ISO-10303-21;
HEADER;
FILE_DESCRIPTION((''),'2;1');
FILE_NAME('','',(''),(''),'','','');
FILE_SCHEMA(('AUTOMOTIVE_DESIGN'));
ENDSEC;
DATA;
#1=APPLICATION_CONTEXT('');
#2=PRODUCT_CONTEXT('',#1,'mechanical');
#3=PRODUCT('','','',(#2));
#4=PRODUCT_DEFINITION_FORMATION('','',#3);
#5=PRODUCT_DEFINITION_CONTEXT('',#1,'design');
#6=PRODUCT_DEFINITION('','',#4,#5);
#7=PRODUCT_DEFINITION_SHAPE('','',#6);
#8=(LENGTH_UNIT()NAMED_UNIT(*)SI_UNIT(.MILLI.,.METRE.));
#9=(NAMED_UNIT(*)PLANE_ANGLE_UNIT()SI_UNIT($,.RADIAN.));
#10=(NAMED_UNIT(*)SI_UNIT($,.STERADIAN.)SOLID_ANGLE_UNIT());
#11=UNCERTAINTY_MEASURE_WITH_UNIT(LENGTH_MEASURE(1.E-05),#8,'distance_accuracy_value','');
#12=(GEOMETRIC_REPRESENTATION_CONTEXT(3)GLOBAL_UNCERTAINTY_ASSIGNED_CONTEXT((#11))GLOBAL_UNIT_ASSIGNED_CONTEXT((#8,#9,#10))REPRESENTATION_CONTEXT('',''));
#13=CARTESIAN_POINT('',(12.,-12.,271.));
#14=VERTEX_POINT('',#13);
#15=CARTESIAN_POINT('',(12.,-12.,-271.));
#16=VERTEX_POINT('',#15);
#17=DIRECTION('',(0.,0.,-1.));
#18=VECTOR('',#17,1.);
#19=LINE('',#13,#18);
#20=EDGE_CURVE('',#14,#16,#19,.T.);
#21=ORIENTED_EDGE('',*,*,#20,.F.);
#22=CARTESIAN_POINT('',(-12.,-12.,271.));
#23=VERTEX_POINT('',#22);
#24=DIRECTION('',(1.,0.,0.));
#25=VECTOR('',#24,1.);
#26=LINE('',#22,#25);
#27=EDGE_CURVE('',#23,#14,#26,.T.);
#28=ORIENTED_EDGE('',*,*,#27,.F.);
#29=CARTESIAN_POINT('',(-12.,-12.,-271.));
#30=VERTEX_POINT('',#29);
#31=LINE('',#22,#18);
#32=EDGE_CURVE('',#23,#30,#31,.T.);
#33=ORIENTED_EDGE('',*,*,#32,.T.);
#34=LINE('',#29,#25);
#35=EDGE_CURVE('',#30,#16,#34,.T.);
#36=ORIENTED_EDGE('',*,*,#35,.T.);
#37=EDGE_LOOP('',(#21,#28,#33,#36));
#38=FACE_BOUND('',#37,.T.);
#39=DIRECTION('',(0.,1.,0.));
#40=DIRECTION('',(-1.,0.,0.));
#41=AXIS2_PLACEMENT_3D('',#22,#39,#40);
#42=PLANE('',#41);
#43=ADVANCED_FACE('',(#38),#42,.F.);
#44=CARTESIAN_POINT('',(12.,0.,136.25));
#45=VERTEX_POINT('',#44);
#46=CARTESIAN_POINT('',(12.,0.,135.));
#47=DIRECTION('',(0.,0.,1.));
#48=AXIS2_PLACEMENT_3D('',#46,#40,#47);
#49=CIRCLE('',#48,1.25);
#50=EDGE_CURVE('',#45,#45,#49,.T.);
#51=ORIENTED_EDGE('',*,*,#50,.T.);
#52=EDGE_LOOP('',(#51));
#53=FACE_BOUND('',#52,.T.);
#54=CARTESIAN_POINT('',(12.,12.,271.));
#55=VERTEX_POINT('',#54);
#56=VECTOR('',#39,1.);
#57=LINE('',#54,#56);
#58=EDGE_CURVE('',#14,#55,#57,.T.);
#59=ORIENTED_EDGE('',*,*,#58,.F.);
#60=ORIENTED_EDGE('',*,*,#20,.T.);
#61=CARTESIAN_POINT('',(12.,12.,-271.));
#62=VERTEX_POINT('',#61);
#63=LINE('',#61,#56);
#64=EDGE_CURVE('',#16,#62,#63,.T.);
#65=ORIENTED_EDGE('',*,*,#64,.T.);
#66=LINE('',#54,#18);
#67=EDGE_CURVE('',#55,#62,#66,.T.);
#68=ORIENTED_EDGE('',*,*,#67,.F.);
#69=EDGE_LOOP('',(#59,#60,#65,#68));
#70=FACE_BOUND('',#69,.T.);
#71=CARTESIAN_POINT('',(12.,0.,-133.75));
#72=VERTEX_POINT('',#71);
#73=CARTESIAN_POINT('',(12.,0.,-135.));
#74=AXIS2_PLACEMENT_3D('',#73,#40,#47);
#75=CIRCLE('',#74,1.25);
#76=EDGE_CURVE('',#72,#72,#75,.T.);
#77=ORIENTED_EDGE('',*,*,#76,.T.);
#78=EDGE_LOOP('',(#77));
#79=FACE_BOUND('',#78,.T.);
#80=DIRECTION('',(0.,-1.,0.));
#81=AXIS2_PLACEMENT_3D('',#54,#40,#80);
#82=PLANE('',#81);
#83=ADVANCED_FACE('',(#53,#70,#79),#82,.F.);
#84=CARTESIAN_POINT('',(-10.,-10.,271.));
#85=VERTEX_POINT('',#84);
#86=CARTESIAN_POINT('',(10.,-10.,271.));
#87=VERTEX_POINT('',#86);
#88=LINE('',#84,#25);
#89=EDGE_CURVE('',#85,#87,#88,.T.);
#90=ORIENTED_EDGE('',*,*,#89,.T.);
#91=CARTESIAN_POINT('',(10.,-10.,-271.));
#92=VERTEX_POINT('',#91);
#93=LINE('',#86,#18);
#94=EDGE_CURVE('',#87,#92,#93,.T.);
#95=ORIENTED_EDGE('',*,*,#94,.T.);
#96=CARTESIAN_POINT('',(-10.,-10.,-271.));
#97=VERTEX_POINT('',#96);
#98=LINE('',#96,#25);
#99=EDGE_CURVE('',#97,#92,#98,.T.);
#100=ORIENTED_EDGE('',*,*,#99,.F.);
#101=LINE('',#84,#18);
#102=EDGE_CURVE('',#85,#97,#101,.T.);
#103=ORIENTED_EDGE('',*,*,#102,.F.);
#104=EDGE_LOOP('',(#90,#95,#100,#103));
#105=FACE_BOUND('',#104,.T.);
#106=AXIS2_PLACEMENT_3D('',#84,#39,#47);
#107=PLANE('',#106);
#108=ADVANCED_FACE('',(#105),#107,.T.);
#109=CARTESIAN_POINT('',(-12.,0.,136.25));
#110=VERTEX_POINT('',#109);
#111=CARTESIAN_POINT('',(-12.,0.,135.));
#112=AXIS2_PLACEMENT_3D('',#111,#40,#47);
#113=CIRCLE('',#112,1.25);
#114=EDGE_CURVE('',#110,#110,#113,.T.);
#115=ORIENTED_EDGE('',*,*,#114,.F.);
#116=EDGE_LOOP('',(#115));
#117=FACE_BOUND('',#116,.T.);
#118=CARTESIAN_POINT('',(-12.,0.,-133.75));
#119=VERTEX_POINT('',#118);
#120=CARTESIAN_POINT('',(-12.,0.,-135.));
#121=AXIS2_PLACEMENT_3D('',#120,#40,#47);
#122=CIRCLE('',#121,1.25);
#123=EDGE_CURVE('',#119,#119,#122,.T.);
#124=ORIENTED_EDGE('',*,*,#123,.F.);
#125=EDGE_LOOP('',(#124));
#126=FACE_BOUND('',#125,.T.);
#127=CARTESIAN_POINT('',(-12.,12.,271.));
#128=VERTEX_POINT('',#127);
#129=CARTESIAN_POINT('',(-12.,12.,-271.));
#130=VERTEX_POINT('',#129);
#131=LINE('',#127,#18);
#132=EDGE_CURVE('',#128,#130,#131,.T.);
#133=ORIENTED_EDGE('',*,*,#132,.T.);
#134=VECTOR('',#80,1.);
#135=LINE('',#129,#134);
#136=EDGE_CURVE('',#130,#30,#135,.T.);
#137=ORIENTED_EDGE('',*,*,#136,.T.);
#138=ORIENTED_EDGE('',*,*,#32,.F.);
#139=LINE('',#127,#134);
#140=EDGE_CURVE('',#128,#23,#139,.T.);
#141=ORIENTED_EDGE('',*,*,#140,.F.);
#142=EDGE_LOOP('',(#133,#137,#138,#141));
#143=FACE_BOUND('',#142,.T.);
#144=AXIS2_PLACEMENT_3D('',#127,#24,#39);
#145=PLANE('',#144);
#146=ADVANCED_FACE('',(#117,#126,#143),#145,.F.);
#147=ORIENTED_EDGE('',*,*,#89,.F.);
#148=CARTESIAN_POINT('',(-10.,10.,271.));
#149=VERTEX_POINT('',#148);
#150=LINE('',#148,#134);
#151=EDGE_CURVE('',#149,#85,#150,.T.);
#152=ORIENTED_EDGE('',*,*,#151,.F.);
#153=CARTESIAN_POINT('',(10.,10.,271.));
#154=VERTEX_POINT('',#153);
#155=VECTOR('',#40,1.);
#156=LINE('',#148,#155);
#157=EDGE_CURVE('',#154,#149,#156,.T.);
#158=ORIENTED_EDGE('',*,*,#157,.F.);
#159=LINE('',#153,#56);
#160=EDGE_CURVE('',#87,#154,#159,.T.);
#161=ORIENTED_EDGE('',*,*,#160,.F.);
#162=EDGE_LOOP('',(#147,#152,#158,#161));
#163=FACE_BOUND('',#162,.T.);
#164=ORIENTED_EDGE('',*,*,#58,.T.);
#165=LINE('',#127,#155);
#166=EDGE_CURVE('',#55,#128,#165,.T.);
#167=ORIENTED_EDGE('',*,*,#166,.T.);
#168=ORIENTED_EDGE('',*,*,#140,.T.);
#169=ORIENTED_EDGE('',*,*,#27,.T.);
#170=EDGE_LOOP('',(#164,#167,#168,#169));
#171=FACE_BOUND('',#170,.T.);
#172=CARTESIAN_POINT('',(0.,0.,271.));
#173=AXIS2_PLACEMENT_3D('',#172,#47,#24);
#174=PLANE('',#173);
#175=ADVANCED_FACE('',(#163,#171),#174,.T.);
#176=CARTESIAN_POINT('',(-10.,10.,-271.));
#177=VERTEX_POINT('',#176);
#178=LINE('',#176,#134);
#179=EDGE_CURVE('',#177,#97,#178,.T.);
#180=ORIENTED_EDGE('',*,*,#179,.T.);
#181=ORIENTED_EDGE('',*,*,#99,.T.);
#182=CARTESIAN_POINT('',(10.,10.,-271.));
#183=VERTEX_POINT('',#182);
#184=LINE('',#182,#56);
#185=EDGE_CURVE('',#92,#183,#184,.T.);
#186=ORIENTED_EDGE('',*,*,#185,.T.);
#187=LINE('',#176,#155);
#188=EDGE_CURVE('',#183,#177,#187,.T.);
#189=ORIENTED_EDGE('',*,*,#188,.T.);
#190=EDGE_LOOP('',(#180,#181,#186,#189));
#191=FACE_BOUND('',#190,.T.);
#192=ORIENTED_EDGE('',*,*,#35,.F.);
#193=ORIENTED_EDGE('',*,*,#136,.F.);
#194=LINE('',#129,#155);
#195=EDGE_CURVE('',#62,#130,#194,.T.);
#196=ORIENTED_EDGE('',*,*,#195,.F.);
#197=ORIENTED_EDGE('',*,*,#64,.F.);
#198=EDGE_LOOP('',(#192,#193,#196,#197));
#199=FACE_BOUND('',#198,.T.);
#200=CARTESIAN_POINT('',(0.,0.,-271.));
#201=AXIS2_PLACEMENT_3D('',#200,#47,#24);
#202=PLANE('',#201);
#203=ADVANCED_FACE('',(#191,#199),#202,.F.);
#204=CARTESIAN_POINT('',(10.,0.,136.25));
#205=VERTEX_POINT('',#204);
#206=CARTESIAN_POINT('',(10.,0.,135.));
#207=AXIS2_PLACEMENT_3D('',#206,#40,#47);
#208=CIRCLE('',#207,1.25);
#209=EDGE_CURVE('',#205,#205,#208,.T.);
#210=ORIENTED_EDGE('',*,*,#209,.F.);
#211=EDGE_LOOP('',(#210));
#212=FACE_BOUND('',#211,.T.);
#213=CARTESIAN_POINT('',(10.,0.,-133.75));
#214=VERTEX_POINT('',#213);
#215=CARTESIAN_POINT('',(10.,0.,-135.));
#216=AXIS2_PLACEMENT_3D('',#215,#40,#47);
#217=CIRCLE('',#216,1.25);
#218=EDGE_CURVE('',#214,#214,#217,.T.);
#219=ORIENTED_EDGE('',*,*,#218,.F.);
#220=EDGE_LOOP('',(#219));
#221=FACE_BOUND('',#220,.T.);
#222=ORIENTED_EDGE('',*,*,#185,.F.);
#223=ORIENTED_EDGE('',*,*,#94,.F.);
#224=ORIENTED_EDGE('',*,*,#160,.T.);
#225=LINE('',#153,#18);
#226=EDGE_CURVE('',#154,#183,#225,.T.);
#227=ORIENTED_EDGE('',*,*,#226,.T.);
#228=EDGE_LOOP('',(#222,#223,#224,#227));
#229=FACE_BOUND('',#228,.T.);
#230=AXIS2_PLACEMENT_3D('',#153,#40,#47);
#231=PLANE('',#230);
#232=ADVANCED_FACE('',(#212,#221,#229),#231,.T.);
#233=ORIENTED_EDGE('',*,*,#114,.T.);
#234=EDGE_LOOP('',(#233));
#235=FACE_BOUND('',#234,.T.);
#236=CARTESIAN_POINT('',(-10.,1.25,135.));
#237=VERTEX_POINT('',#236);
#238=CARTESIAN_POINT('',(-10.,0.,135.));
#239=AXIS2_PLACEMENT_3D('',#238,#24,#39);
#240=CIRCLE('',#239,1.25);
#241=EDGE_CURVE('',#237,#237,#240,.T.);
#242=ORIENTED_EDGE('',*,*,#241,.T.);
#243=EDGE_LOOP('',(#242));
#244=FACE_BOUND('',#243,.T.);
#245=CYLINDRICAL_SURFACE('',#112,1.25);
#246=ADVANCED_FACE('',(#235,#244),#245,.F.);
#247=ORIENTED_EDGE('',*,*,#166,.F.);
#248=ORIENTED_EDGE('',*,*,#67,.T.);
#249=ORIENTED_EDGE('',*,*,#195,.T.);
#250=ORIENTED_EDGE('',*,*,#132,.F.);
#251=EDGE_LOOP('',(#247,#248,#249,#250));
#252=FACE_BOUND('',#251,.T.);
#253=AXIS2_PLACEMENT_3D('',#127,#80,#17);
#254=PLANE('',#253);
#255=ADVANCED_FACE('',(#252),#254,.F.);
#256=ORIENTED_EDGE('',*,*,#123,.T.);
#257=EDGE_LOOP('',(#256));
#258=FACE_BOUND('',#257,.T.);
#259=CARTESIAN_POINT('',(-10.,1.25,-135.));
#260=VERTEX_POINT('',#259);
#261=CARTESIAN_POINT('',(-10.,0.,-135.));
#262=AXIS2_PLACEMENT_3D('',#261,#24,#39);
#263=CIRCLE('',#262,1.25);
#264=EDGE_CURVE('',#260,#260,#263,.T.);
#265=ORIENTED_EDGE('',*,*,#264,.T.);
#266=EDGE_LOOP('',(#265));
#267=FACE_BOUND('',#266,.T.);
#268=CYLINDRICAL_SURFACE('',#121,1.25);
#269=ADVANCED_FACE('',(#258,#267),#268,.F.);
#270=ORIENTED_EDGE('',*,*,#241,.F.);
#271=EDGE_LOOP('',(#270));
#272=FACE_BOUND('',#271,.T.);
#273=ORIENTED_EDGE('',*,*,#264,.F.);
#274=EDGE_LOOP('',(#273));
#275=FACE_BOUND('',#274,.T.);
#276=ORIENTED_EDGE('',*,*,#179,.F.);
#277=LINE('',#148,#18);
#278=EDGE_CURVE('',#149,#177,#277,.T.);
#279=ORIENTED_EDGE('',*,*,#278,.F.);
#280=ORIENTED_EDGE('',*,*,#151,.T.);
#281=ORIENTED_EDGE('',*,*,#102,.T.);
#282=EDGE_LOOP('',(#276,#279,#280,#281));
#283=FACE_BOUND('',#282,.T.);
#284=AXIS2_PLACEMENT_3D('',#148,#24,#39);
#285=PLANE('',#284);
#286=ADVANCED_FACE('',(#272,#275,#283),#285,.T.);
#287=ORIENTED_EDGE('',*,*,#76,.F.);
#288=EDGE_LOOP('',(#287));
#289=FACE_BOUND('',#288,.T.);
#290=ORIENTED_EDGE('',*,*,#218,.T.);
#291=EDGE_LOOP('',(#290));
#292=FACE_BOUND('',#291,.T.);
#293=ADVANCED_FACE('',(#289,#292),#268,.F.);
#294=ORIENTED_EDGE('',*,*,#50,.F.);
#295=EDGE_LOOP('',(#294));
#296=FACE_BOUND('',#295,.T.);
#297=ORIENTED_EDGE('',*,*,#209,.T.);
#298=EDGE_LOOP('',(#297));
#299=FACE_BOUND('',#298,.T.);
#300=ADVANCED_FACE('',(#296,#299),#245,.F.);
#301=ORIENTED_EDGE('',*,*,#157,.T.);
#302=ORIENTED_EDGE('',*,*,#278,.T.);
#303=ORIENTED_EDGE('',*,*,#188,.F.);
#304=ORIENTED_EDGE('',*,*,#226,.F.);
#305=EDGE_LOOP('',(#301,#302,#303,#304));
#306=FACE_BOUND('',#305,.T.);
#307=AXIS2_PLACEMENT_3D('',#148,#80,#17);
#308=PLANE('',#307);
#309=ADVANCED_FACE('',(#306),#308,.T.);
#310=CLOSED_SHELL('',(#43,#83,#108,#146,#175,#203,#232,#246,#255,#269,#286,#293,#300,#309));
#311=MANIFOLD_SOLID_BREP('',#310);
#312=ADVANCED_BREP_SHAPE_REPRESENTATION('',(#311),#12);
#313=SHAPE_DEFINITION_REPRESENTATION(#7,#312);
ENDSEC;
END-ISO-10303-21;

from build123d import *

# Parameters (mm, degrees)
SKETCH_1_W         = 24
SKETCH_1_H         = 24
SKETCH_1_W_2       = 20
SKETCH_1_H_2       = 20
EXTRUDE_1_DEPTH    = 271
HOLE_WIZARD_M3_3_D = 2.5


with BuildPart() as part:
    # 草图1 → 凸台-拉伸1 (new, symmetric)
    with BuildSketch(Plane.XY):
        Rectangle(SKETCH_1_W, SKETCH_1_H)
        Rectangle(SKETCH_1_W_2, SKETCH_1_H_2, mode=Mode.SUBTRACT)
    extrude(amount=EXTRUDE_1_DEPTH, both=True)

    # M3 螺纹孔的螺纹孔钻头3 (through all)
    with Locations(Plane(origin=(-12, 0, -135), x_dir=(0, -1, 0), z_dir=(-1, 0, 0))):
        with Locations((0, 0)):
            hole_wizard_m3_3 = Hole(HOLE_WIZARD_M3_3_D / 2)

    # 镜向1: M3 螺纹孔的螺纹孔钻头3 across plane
    add(hole_wizard_m3_3.mirror(Plane.XY), mode=Mode.SUBTRACT)


solid = part.part
